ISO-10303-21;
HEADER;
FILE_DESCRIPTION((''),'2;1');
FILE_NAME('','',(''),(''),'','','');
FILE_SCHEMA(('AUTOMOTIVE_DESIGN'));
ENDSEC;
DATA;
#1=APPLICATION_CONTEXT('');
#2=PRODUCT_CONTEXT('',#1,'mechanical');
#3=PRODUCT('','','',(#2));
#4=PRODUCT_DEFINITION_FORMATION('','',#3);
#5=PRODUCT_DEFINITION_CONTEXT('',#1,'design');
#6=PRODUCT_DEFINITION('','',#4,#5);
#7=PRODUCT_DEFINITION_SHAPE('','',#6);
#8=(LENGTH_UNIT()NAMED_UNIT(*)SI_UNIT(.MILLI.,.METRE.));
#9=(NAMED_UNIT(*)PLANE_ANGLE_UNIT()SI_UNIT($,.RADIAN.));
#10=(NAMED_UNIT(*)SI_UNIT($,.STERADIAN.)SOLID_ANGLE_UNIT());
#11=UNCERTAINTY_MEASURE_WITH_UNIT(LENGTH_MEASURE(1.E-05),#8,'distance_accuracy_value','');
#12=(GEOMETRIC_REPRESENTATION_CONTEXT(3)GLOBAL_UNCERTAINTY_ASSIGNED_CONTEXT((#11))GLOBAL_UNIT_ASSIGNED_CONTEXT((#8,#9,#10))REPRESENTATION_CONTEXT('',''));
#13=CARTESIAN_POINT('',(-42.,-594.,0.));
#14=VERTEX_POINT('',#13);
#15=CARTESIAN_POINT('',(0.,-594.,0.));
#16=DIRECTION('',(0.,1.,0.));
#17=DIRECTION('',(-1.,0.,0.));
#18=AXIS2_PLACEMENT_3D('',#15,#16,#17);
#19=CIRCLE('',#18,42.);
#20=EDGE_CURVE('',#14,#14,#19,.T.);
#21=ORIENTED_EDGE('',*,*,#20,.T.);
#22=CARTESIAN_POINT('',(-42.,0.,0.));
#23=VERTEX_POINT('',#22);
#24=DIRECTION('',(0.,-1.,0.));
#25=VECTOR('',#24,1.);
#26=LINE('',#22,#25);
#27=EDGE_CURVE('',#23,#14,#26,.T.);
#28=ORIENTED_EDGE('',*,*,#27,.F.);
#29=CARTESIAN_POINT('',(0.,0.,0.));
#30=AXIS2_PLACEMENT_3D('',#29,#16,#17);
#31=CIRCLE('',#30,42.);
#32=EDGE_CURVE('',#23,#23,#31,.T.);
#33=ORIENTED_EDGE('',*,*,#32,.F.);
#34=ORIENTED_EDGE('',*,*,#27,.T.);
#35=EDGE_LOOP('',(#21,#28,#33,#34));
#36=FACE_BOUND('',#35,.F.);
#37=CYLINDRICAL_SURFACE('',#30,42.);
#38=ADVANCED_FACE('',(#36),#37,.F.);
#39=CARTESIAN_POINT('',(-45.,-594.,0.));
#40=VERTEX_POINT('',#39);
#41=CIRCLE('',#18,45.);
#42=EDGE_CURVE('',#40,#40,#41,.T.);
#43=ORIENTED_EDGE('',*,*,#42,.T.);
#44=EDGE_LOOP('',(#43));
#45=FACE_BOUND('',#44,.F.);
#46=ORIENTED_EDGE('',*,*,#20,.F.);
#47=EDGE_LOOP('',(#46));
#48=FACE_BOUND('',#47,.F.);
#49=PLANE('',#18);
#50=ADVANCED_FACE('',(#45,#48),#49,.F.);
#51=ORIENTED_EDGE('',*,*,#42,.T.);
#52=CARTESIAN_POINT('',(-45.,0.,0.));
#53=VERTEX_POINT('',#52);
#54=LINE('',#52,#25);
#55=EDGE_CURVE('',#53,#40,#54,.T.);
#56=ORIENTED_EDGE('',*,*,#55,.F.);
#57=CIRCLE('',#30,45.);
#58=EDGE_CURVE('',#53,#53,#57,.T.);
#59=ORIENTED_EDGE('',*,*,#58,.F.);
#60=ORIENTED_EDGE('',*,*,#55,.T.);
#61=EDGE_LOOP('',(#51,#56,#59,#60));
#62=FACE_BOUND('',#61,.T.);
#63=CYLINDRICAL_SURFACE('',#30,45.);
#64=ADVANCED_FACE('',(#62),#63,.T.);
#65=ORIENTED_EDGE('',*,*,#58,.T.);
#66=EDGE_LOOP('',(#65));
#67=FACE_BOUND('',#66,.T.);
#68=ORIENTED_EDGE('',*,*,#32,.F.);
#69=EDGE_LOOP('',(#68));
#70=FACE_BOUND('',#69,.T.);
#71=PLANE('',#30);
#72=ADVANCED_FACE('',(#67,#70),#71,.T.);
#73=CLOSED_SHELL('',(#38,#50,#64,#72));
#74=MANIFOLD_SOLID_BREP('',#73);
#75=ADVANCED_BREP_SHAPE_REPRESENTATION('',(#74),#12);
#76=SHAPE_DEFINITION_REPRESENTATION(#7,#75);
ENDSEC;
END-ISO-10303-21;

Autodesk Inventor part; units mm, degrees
ref_plane "YZ Plane" through (0, 0, 0) normal (1, 0, 0) x (0, 1, 0)
ref_plane "XZ Plane" through (0, 0, 0) normal (0, 1, 0) x (-1, 0, 0)
ref_plane "XY Plane" through (0, 0, 0) normal (0, 0, 1) x (1, 0, 0)
sketch "Sketch1" plane through (0, 0, 0) normal (0, 1, 0) x (-1, 0, 0)
  circle A0 centre (0, 0) radius 45
  circle A1 centre (0, 0) radius 42
  dimension "d0" = 90
  dimension "d1" = 3
extrude "Extrusion1" add sketch "Sketch1" against normal blind 594
properties part number "PRS 9615 FDS tube 5_D1200"
